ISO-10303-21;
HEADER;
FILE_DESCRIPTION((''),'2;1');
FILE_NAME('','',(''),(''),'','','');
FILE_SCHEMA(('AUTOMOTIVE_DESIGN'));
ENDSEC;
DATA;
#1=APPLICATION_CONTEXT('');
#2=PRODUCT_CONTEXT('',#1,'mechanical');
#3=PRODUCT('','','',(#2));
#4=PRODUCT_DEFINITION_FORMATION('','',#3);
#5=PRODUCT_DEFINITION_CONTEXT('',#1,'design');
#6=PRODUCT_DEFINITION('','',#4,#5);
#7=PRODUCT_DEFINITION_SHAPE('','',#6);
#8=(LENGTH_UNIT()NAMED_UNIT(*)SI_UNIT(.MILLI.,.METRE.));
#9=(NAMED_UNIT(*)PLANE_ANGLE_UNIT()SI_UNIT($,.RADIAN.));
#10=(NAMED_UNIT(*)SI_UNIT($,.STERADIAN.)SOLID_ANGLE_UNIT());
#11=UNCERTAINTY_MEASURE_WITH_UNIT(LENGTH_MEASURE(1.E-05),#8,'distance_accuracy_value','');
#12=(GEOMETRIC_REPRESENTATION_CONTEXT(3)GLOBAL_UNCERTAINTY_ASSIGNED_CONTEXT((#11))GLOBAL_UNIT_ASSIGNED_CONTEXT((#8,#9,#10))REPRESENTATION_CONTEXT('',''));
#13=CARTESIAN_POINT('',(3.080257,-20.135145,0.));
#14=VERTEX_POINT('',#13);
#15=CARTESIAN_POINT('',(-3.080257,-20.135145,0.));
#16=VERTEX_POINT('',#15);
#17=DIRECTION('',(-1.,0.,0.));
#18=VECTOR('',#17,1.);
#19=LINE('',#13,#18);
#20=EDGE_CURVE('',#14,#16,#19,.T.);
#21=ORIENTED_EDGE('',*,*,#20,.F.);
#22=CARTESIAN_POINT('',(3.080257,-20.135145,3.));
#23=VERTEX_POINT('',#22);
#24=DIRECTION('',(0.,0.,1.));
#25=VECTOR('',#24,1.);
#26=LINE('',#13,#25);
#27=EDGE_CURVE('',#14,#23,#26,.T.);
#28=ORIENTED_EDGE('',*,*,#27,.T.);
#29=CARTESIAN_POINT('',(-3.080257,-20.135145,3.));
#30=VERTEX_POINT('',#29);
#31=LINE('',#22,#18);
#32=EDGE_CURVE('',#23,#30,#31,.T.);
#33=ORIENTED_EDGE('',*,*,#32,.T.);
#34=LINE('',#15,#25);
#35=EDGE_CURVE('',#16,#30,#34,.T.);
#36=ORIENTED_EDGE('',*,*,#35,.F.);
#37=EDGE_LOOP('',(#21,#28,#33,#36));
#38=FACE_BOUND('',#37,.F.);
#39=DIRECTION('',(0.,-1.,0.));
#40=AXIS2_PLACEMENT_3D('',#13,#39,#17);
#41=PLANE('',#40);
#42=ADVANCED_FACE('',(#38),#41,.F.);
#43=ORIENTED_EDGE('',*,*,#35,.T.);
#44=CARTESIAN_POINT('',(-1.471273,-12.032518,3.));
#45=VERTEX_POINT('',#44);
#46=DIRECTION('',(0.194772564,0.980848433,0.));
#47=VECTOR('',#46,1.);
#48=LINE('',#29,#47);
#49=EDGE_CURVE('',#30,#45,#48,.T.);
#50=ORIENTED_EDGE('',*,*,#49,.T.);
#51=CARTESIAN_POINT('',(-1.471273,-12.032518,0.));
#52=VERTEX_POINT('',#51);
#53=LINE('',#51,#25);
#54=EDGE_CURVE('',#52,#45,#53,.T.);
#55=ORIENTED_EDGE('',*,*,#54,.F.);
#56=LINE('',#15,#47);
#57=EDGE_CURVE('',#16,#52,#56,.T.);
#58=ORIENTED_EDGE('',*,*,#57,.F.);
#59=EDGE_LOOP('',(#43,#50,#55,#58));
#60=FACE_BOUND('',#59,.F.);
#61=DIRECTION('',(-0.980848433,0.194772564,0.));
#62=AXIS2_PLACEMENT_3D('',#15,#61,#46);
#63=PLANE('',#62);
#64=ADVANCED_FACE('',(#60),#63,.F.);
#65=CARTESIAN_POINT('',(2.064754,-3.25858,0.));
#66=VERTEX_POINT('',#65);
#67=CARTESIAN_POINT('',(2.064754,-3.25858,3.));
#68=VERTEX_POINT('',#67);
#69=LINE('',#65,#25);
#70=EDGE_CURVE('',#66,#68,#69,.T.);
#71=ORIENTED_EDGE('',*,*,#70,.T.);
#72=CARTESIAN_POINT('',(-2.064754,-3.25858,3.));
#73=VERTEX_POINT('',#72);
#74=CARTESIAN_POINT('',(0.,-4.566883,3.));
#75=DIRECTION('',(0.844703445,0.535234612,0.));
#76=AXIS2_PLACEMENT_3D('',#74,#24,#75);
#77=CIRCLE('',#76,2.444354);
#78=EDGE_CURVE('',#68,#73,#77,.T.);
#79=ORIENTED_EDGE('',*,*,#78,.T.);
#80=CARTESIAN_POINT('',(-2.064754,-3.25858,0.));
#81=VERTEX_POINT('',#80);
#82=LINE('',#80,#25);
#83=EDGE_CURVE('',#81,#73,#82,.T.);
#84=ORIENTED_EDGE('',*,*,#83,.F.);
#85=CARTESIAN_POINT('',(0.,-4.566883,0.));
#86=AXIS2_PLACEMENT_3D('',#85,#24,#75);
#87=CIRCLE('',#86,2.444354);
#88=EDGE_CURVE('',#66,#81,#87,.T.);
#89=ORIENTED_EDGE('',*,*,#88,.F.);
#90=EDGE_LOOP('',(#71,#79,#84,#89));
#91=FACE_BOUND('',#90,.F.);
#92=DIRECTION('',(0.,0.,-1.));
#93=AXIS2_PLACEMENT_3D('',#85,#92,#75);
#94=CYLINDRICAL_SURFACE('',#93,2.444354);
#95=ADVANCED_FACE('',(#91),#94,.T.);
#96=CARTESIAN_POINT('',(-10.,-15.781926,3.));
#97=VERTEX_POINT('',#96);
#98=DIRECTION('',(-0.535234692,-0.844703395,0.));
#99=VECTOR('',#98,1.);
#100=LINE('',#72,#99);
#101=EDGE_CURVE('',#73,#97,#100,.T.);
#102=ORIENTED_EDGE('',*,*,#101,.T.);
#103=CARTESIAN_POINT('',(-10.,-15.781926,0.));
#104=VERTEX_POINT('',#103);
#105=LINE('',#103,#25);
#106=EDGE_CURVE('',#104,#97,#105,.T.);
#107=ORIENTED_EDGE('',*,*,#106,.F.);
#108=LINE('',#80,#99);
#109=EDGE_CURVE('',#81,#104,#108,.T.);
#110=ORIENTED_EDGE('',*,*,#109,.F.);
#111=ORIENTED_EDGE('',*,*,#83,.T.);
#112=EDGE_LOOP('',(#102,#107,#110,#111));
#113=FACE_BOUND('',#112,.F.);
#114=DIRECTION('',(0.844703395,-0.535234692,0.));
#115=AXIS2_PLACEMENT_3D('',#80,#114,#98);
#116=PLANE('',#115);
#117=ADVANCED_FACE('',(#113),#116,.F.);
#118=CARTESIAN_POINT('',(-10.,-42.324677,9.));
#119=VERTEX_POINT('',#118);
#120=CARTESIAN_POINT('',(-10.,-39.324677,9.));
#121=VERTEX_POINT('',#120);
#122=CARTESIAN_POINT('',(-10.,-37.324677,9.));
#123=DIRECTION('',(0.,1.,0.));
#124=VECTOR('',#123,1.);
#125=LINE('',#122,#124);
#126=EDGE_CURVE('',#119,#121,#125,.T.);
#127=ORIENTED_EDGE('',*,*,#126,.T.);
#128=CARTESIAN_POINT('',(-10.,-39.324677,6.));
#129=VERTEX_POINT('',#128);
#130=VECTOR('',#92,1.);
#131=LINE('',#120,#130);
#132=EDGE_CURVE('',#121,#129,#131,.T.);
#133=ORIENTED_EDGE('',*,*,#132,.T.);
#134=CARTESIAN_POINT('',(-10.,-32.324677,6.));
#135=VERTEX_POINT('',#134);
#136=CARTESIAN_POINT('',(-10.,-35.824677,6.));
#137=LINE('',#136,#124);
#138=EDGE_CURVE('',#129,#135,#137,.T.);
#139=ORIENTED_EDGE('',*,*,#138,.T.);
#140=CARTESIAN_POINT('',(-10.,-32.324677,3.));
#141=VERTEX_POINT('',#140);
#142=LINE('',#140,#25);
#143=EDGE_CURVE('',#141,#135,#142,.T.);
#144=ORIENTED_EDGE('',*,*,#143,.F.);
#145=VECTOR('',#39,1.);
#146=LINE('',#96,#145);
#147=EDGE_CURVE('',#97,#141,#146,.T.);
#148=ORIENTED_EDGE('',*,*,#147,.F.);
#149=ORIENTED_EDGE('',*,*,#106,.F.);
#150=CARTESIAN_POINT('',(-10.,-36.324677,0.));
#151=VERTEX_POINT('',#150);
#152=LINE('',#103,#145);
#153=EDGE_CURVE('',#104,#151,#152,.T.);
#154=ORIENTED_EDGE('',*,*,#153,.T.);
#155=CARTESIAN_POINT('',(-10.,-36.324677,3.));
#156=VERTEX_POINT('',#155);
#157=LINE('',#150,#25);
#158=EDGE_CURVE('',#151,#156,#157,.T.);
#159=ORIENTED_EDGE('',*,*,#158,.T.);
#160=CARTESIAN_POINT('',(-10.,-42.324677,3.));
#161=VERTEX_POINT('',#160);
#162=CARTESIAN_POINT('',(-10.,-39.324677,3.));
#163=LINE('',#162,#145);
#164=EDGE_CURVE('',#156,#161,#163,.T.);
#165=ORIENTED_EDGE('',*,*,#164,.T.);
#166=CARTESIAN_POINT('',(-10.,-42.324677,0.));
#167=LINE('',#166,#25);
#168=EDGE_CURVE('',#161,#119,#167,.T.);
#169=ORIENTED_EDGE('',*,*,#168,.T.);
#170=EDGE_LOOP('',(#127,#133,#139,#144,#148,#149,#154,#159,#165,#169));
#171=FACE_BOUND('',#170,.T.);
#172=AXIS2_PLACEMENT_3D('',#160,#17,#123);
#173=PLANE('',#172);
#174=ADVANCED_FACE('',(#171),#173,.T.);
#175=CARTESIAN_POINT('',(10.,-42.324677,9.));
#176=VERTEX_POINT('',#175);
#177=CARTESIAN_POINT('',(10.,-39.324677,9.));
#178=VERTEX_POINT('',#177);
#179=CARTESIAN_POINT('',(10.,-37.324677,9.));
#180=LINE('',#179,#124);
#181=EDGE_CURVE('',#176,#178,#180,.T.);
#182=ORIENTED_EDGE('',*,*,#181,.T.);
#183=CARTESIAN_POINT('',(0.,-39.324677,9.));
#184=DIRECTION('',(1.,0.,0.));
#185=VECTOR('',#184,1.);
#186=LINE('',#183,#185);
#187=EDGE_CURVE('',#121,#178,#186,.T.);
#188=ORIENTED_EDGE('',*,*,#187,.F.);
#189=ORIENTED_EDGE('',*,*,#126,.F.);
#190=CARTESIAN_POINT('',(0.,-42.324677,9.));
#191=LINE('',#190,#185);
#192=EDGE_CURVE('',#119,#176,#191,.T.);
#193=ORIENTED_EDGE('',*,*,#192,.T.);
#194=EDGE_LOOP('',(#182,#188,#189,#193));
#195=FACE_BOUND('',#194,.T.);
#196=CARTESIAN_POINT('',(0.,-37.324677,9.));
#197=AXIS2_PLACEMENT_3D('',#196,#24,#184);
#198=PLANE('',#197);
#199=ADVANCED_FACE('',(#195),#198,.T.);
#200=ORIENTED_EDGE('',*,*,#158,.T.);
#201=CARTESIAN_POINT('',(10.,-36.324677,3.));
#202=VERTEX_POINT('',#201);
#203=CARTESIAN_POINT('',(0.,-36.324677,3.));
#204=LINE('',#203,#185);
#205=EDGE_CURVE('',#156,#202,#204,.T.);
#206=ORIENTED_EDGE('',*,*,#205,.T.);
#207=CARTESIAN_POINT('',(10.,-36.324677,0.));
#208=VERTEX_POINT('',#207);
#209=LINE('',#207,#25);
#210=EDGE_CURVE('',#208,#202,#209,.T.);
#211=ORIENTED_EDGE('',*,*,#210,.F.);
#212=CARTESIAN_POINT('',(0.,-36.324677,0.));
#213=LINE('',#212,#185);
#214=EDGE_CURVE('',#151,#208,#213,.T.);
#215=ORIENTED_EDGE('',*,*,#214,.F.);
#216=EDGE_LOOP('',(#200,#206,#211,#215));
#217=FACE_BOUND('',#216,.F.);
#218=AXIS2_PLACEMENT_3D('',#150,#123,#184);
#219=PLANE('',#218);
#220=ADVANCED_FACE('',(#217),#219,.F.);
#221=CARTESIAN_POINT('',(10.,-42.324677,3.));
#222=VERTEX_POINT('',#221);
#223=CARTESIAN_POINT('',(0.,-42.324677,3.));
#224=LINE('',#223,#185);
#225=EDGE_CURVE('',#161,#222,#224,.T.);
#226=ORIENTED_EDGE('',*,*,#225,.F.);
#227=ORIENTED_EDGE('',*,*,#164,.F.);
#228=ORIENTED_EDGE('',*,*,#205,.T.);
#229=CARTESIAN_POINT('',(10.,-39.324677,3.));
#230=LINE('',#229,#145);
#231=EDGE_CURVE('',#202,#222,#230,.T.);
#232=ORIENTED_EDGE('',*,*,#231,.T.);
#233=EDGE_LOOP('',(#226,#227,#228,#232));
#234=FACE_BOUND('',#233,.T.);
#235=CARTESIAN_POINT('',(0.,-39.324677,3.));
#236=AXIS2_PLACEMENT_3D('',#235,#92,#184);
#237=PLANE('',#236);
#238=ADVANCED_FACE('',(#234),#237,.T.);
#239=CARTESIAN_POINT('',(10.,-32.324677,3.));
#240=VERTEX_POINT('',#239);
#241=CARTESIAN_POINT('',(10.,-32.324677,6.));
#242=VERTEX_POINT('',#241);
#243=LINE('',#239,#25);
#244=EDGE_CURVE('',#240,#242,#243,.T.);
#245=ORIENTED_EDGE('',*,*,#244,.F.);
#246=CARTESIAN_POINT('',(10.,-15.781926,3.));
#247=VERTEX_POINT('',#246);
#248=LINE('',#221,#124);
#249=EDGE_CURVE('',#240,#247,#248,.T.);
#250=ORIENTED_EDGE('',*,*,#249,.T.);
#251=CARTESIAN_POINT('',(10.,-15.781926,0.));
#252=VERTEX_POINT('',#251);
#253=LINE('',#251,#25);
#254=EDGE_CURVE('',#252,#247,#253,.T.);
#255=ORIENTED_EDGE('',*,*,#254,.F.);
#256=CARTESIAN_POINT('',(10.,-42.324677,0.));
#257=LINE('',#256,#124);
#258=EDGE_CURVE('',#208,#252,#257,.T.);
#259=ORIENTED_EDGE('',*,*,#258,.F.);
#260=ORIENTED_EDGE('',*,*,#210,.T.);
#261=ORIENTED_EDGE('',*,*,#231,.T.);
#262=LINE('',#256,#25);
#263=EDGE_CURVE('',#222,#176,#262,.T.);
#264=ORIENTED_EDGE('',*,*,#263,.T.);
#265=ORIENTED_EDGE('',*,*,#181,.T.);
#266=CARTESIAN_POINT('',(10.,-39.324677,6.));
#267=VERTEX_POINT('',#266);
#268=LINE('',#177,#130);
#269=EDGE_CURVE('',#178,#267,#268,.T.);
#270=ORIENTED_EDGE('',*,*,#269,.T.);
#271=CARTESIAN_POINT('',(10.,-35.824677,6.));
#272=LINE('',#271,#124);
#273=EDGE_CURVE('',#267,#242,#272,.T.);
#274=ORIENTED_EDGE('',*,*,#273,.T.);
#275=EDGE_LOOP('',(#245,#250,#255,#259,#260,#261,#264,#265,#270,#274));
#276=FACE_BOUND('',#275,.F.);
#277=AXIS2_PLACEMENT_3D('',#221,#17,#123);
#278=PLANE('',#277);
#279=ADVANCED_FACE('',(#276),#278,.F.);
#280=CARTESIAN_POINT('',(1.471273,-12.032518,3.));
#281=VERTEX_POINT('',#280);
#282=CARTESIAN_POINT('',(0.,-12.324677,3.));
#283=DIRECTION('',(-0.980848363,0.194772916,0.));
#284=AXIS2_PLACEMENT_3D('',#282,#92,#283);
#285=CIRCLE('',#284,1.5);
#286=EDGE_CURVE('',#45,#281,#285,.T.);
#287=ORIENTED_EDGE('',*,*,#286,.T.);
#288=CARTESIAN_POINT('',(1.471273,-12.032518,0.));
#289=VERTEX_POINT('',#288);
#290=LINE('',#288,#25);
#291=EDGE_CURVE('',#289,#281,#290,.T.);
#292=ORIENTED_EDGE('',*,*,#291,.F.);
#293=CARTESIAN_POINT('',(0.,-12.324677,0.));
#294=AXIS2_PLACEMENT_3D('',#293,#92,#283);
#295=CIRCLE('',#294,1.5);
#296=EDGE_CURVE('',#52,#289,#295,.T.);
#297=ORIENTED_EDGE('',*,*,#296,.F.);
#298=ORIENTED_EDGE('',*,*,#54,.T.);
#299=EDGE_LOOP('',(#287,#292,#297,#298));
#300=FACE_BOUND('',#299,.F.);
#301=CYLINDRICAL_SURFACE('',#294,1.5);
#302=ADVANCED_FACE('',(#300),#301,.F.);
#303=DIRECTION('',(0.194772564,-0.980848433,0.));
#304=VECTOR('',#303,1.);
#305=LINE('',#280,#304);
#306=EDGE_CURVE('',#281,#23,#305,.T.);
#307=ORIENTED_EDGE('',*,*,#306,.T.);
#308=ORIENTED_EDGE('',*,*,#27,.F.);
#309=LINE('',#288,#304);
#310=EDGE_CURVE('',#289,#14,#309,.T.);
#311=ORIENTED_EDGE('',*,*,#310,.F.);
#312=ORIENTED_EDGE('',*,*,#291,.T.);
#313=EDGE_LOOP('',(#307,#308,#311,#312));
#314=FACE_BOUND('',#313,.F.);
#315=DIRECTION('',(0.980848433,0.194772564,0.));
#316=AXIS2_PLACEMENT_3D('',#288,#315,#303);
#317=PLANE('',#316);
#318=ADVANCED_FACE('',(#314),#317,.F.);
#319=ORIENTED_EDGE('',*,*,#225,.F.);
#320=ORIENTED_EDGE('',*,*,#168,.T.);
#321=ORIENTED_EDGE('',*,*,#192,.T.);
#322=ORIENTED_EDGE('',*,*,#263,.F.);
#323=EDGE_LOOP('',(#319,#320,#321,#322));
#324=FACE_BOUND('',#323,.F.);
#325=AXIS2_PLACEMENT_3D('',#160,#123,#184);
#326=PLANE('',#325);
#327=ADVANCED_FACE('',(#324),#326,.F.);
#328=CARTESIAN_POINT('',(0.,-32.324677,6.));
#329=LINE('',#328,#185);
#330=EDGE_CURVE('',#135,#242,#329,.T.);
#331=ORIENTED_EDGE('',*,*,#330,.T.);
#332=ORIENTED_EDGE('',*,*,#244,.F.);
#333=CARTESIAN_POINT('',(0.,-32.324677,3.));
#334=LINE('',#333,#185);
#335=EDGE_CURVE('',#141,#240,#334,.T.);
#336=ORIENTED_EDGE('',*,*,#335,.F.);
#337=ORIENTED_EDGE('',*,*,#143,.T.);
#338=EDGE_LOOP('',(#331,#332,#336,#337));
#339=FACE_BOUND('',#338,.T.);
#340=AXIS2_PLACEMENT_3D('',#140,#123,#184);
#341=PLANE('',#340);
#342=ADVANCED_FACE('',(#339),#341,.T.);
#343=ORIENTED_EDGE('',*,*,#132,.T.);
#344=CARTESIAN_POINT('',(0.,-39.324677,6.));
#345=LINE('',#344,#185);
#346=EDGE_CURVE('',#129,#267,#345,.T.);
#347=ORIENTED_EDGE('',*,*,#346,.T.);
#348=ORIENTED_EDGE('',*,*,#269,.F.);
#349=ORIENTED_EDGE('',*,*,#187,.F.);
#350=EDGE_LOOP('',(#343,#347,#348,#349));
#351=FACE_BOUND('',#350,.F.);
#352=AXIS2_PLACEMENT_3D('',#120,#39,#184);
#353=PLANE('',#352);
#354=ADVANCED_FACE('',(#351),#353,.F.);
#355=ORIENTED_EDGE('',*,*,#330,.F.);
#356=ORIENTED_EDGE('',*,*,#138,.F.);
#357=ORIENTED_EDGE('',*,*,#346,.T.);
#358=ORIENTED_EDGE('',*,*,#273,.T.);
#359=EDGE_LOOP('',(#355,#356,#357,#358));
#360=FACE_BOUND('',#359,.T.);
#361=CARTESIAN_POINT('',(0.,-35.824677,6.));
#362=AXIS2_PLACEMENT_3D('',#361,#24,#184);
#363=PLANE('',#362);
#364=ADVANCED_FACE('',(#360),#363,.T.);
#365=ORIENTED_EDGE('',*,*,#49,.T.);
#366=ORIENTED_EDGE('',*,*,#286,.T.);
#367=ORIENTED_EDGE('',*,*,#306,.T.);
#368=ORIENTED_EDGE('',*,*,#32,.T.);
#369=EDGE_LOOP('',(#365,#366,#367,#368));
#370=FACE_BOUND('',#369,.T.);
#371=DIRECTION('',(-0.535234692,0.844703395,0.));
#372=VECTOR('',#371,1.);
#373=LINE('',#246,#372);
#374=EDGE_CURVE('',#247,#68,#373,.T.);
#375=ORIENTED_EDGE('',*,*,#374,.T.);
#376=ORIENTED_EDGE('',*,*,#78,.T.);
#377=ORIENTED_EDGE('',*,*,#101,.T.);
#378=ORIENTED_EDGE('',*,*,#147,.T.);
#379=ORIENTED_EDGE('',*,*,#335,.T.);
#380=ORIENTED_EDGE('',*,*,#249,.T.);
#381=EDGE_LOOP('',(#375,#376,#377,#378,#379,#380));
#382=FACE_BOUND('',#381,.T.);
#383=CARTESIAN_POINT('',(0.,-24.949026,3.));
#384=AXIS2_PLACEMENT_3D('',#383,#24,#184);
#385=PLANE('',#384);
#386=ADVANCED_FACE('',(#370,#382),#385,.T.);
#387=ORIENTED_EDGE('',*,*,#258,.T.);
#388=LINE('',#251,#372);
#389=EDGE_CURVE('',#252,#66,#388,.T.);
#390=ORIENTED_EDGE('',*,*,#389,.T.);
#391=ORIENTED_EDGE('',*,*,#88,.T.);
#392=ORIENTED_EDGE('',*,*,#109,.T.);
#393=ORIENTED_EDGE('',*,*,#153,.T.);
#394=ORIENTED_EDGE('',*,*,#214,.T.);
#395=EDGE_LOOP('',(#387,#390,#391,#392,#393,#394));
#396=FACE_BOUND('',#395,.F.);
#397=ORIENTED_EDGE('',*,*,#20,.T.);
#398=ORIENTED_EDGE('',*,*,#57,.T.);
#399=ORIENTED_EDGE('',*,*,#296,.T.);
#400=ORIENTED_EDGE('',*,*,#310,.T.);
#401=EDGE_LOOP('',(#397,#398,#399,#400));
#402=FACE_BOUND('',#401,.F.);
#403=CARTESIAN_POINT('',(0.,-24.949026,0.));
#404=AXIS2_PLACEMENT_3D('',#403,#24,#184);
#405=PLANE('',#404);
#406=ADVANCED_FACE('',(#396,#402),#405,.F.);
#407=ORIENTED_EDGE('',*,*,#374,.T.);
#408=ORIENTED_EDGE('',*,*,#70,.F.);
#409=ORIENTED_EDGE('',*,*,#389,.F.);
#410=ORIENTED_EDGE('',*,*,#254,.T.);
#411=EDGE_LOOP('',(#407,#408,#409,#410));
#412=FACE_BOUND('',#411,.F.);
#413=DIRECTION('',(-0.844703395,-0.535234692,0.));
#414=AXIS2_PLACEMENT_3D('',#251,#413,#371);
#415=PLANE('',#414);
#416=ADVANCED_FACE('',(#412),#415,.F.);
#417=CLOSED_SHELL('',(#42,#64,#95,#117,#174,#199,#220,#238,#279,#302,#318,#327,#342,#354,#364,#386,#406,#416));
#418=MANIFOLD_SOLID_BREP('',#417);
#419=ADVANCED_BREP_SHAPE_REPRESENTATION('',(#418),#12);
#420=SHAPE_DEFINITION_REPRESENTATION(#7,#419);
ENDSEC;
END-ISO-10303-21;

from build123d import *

# Parameters (mm, degrees)
F1_DEPTH = 3
F2_W     = 20
F2_H     = 10
F3_DEPTH = 6
F4_W     = 20
F4_H     = 6
F5_DEPTH = 3
F6_W     = 20
F6_H     = 7
F7_DEPTH = 3


with BuildPart() as f1:
    # F0 (on Top) → F1 (new body)
    with BuildSketch(Plane.XY):
        with BuildLine():
            ThreePointArc((2.064754, -3.25858), (0, -2.122529), (-2.064754, -3.25858))
            Line((-2.064754, -3.25858), (-10, -15.781926))
            Line((-10, -15.781926), (-10, -42.324677))
            Line((-10, -42.324677), (0, -42.324677))
            Line((0, -42.324677), (10, -42.324677))
            Line((10, -42.324677), (10, -15.781926))
            Line((10, -15.781926), (2.064754, -3.25858))
        make_face()
        with BuildLine():
            ThreePointArc((-1.471273, -12.032518), (0, -10.824677), (1.471273, -12.032518))
            Line((1.471273, -12.032518), (3.080257, -20.135145))
            Line((3.080257, -20.135145), (-3.080257, -20.135145))
            Line((-3.080257, -20.135145), (-1.471273, -12.032518))
        make_face(mode=Mode.SUBTRACT)
    extrude(amount=F1_DEPTH)

    # F2 (on face) → F3 (join)
    with BuildSketch(Plane.XY.offset(3)):
        with Locations((0, -37.324677)):
            Rectangle(F2_W, F2_H)
    extrude(amount=F3_DEPTH)

    # F4 (on face) → F5 (cut)
    with BuildSketch(Plane(origin=(0, 0, 0), x_dir=(1, 0, 0), z_dir=(0, 0, -1))):
        with Locations((0, 39.324677)):
            Rectangle(F4_W, F4_H)
    extrude(amount=-F5_DEPTH, mode=Mode.SUBTRACT)

    # F6 (on face) → F7 (cut)
    with BuildSketch(Plane.XY.offset(9)):
        with Locations((0, -35.824677)):
            Rectangle(F6_W, F6_H)
    extrude(amount=-F7_DEPTH, mode=Mode.SUBTRACT)


solid = f1.part
